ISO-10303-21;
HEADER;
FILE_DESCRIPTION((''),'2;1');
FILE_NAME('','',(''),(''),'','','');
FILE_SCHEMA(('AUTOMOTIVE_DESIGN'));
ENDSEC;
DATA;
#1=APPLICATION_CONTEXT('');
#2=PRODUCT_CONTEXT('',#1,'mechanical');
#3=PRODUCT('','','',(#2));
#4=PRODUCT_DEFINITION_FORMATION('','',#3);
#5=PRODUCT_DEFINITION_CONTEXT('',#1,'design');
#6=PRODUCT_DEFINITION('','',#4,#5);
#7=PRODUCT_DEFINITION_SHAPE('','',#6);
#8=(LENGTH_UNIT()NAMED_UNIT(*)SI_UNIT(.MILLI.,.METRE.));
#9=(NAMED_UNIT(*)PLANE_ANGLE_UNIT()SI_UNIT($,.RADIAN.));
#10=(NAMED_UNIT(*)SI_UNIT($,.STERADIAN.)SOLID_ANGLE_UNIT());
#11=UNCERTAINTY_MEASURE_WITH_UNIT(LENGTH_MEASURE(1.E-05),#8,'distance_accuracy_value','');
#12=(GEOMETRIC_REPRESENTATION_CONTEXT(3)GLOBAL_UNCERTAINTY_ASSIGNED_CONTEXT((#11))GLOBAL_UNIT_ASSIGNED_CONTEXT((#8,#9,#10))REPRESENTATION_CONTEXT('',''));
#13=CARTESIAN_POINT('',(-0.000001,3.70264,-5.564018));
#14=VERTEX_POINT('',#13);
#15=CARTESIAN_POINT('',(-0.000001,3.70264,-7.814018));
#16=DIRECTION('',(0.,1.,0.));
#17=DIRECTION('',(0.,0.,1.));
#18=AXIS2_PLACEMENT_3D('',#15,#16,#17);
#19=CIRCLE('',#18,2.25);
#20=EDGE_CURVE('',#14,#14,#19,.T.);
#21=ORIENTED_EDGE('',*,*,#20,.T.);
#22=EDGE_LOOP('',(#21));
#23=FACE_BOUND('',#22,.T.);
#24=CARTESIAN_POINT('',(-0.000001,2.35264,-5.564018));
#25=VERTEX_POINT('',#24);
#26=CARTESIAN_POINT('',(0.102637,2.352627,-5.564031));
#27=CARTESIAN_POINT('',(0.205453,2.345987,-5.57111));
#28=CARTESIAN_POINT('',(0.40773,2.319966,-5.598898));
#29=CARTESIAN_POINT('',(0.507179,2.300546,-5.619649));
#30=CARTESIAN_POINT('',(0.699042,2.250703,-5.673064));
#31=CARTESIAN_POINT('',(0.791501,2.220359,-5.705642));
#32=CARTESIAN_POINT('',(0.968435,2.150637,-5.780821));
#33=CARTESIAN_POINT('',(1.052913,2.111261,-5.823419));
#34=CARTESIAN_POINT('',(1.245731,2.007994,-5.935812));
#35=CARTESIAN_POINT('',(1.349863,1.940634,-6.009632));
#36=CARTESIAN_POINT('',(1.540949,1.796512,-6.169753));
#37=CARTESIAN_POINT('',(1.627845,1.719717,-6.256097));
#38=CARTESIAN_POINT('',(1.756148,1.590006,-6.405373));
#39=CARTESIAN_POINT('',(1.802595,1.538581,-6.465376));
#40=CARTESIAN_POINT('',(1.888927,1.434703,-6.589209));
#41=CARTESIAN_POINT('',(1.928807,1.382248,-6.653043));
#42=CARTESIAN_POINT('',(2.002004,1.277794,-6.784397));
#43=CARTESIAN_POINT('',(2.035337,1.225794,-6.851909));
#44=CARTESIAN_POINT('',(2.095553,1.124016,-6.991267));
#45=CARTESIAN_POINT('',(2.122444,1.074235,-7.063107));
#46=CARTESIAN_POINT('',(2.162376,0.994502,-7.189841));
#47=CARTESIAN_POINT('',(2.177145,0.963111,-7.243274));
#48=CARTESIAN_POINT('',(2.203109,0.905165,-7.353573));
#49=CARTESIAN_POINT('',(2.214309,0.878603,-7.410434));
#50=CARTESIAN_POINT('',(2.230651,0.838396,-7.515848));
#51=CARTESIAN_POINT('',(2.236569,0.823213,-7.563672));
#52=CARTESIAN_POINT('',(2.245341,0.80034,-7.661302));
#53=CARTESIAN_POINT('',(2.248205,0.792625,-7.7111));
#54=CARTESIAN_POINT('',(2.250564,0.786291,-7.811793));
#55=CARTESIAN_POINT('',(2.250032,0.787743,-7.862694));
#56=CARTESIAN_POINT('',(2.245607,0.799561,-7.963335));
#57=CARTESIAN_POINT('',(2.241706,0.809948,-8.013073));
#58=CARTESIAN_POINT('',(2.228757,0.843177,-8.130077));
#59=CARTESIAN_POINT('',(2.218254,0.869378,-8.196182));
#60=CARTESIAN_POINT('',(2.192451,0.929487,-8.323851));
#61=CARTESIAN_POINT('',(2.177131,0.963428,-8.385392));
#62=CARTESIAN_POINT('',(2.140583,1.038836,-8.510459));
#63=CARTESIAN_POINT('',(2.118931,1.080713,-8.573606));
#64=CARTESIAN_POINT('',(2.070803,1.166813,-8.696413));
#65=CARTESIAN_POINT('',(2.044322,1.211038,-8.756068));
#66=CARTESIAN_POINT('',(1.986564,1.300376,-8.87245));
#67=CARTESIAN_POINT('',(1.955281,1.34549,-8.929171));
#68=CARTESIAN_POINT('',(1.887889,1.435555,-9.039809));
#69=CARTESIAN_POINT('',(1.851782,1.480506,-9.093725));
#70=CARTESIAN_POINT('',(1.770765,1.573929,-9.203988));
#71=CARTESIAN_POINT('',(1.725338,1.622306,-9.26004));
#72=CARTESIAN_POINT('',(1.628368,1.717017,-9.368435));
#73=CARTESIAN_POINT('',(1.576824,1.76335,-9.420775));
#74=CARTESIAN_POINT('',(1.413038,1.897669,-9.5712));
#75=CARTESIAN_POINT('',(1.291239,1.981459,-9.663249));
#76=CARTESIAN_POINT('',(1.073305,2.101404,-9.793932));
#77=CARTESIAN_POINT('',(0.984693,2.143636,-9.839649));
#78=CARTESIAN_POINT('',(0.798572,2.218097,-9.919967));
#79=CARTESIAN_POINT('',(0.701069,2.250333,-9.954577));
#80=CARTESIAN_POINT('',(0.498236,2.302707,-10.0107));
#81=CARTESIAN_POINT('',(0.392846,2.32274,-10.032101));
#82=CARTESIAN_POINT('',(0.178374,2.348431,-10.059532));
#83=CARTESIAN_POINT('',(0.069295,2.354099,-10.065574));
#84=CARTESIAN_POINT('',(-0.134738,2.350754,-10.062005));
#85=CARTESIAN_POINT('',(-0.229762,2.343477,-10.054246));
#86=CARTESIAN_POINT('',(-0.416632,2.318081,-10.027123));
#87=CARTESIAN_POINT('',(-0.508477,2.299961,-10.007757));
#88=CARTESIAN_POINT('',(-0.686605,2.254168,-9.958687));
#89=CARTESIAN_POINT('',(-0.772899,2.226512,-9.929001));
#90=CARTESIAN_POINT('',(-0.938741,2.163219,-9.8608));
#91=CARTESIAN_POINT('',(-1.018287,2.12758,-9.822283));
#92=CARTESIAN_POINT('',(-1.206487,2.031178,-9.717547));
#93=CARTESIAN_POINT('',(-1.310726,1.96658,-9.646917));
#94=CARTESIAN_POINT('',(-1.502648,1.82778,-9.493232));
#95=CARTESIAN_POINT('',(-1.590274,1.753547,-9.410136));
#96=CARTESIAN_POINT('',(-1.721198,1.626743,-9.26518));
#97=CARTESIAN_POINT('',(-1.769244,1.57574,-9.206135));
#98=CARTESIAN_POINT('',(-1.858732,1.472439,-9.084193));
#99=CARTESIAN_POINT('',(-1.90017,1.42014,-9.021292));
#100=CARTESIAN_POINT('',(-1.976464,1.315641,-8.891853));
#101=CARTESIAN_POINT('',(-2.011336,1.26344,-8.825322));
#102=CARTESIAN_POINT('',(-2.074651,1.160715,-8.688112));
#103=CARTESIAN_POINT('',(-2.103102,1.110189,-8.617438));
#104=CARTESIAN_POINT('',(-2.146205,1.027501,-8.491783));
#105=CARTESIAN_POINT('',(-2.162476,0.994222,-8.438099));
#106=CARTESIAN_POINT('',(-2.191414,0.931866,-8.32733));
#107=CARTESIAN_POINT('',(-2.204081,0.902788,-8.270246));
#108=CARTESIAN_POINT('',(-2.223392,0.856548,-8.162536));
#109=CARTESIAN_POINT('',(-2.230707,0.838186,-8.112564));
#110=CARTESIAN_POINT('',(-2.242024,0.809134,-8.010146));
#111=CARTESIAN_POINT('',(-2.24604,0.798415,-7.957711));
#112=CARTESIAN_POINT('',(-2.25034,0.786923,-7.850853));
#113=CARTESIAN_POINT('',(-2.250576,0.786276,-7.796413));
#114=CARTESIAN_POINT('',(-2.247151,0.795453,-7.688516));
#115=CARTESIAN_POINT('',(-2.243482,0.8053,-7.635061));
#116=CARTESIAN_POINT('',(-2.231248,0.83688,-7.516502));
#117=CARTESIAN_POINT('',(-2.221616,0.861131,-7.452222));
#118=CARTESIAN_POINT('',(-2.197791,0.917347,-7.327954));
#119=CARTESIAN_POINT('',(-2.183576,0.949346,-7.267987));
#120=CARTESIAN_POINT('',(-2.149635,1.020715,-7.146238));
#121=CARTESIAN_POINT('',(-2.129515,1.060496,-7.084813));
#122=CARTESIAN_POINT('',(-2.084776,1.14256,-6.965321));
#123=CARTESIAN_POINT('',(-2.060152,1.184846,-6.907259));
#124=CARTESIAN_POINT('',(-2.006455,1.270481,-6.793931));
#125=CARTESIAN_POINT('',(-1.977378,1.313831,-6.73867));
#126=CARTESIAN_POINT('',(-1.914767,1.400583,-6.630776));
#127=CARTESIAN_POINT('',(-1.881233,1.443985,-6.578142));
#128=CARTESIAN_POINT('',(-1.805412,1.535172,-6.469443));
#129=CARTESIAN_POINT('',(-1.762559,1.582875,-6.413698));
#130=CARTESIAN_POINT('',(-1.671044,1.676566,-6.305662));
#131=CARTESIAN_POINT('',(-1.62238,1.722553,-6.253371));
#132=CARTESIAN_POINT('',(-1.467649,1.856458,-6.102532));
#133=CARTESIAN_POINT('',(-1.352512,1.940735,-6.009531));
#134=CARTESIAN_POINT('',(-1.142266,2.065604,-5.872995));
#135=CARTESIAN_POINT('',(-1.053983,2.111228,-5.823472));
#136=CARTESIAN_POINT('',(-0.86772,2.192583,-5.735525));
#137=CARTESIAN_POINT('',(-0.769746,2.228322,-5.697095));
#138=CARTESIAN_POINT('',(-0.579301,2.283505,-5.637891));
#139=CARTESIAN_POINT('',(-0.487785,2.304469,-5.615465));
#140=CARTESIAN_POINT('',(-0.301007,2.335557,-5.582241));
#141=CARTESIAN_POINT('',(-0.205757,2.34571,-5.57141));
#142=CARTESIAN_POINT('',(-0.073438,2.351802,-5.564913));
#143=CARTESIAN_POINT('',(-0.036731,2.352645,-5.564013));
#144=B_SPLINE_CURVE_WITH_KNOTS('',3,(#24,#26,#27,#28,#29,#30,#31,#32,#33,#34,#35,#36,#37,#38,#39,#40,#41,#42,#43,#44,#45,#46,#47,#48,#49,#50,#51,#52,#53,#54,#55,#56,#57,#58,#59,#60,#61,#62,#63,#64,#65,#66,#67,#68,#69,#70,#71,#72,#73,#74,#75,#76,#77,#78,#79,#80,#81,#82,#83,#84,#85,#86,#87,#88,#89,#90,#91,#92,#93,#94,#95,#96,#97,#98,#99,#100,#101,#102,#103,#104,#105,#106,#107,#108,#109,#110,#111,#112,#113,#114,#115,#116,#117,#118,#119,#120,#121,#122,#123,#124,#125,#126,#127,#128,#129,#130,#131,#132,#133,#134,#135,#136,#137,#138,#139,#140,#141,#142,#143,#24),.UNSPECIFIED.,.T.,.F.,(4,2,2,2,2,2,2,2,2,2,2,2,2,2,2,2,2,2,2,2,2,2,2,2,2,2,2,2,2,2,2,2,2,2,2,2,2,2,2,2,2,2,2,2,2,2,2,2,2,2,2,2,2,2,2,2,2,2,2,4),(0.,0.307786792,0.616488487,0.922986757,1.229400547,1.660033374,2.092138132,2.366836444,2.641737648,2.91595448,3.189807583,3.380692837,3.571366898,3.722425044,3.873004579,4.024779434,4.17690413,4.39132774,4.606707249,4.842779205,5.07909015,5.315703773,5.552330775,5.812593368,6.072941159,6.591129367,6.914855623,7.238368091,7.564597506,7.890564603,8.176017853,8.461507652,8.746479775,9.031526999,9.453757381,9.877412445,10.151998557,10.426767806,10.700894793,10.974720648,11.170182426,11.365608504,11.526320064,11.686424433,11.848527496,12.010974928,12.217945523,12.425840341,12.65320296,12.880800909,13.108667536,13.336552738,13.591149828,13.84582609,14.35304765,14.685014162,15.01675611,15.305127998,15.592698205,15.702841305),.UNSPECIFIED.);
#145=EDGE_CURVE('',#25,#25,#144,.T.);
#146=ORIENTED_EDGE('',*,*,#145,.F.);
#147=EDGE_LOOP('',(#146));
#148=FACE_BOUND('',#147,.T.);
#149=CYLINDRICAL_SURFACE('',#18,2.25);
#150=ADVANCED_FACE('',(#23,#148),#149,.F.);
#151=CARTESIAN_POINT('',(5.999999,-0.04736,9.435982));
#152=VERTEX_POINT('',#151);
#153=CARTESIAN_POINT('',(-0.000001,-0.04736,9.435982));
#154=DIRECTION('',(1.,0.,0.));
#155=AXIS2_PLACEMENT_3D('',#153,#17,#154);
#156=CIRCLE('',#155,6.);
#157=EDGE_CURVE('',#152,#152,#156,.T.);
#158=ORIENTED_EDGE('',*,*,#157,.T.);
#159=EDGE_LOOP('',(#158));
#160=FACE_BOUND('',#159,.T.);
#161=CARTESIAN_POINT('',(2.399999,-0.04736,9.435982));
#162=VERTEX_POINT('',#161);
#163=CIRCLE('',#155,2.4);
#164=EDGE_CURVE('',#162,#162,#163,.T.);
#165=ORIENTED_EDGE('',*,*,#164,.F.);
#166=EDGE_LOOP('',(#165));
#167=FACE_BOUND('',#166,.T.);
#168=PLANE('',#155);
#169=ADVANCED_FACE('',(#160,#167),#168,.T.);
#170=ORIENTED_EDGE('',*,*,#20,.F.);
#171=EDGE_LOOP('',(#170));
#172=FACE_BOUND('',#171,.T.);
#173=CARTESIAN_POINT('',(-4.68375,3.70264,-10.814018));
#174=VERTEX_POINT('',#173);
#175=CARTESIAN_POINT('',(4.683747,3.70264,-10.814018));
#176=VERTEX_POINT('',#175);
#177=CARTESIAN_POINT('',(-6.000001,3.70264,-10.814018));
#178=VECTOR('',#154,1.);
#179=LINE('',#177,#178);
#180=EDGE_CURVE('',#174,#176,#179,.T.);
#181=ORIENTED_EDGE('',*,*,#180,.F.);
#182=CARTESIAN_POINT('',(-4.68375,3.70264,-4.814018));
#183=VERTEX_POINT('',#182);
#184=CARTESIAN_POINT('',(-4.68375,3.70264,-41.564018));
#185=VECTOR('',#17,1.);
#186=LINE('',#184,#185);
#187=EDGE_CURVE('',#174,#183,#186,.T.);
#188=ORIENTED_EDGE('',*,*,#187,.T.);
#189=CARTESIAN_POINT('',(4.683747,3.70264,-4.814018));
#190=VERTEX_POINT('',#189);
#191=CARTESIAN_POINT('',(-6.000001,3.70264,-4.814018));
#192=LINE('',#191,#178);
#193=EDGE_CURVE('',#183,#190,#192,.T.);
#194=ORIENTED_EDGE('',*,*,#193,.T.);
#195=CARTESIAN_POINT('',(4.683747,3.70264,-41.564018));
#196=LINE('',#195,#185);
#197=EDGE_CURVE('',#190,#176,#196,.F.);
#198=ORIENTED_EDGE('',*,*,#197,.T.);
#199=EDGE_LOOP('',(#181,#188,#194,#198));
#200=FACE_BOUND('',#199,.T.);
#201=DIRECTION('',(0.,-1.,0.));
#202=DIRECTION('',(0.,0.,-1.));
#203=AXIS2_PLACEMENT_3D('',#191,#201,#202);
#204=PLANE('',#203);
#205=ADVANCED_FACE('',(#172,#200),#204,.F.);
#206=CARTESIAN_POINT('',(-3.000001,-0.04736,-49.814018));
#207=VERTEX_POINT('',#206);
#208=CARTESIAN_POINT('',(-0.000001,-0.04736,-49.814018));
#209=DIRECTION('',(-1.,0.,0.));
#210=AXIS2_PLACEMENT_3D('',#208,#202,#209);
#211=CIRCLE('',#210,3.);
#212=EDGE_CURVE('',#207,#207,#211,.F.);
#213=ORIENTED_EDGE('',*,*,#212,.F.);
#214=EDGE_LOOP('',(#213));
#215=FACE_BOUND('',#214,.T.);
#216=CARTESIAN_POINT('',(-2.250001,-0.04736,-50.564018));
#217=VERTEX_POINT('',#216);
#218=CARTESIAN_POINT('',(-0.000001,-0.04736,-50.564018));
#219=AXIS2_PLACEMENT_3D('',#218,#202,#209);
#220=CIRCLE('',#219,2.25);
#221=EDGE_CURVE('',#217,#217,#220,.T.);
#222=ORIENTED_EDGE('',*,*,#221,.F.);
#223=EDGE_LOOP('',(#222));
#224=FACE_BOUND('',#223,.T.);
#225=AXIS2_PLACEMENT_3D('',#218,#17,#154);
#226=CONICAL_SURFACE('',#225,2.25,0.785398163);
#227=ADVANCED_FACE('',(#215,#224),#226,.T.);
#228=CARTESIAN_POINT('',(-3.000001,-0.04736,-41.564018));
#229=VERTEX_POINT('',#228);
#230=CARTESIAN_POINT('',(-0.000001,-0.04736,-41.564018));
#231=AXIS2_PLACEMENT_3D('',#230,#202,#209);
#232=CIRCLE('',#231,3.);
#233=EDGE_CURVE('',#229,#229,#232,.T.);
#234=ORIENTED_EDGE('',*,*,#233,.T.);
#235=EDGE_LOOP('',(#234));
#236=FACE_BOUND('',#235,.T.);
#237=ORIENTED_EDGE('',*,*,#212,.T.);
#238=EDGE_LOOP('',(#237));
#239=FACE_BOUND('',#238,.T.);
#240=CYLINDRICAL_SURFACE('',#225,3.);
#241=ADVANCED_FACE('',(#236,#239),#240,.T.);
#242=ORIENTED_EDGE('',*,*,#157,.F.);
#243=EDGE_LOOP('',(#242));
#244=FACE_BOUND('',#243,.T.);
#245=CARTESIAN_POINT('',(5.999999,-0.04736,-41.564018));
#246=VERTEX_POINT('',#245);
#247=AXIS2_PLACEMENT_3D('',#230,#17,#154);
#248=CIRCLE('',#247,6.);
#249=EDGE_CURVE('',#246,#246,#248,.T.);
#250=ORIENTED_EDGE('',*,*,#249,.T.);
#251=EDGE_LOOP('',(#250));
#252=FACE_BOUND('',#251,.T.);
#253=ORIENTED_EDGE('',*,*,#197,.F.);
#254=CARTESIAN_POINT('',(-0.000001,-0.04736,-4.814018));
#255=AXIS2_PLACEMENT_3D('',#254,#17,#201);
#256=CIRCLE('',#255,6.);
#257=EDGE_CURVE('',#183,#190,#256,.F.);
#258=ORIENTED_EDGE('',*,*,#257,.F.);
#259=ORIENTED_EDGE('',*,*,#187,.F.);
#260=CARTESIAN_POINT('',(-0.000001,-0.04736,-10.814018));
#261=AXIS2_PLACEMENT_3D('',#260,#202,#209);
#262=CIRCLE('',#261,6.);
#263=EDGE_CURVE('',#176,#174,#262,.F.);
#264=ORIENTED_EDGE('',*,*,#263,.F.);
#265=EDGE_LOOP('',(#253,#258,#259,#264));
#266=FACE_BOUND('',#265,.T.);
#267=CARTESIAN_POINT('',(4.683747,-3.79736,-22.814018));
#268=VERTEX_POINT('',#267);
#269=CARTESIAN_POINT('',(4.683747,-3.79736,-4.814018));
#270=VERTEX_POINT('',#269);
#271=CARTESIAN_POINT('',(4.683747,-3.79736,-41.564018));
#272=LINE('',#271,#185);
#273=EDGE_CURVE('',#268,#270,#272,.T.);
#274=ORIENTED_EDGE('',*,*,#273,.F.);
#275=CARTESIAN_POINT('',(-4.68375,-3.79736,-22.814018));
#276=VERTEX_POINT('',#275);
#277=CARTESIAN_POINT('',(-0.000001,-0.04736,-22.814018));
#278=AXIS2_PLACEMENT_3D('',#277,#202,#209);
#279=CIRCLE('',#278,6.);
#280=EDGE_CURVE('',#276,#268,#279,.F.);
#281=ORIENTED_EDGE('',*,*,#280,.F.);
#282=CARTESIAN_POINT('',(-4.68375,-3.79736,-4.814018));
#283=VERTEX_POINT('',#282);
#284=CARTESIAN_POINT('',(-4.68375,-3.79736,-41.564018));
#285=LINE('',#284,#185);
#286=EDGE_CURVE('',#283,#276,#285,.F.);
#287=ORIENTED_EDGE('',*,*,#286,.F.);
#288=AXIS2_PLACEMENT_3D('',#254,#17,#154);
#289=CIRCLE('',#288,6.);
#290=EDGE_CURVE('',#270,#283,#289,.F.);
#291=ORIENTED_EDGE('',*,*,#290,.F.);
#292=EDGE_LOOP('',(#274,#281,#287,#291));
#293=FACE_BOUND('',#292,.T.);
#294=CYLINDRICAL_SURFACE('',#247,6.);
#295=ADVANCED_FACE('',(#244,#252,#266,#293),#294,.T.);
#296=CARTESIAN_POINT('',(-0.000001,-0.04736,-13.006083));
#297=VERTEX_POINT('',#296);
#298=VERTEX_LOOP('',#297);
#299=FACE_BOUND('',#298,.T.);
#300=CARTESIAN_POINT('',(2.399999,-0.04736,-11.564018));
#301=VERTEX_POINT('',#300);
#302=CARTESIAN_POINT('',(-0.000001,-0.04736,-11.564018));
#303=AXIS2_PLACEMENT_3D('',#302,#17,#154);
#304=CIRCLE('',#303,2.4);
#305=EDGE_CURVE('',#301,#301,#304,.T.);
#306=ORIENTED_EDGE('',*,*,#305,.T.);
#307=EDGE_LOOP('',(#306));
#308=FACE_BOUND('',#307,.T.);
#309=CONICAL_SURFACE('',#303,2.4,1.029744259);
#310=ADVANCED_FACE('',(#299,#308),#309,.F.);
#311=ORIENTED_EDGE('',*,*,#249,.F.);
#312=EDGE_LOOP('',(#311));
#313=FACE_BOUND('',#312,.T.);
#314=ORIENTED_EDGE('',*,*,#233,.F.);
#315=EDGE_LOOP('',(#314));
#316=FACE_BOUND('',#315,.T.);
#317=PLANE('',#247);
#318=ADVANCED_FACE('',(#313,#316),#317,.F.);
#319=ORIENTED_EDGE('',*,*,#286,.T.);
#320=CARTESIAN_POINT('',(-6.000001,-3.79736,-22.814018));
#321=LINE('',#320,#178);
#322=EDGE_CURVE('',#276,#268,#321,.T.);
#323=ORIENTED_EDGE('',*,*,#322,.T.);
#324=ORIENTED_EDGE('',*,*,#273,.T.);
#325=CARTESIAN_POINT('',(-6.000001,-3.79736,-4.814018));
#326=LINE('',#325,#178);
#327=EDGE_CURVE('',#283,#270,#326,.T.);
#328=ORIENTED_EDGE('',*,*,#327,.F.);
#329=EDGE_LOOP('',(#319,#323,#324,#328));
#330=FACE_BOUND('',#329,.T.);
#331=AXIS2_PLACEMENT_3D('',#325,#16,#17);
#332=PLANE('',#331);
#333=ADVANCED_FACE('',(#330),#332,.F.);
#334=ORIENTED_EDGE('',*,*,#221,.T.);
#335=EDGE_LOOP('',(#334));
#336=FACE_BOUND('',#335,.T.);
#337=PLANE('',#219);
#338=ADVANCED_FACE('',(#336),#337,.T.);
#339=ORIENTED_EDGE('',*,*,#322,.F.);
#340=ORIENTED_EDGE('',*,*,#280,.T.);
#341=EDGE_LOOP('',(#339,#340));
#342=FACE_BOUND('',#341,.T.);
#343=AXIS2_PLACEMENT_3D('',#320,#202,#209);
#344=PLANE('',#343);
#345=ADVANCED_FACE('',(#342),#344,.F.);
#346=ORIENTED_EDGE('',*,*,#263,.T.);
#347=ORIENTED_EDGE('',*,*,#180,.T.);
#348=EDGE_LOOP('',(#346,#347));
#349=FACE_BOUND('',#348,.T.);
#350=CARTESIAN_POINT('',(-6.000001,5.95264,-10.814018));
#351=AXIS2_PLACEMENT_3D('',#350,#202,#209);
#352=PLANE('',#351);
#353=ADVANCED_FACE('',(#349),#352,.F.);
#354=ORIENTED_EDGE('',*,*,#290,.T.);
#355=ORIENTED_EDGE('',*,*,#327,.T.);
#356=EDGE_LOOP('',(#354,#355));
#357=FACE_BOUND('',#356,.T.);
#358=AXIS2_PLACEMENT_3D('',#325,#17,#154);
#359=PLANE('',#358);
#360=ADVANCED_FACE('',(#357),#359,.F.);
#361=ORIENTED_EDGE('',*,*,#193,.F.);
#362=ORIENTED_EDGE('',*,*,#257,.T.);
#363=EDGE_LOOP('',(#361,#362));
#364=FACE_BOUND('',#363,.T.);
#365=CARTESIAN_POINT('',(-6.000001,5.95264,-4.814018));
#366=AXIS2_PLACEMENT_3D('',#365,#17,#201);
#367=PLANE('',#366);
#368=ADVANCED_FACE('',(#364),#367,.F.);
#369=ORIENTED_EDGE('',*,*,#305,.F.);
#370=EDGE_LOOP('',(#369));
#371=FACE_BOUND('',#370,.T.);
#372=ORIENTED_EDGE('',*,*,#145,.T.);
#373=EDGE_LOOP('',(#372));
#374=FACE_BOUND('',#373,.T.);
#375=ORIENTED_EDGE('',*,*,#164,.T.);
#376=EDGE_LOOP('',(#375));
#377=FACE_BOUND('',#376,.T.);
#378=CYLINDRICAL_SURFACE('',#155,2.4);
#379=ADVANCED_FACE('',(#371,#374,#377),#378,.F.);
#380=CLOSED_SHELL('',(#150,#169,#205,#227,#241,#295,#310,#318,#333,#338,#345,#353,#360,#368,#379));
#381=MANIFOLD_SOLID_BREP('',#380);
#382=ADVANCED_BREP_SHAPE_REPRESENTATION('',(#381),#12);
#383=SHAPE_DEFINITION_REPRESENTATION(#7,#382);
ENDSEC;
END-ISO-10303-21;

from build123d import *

# Parameters (mm, degrees)
SKETCH1_R                      = 4
BOSS_EXTRUDE2_DEPTH            = 34
SKETCH2_R                      = 2
BOSS_EXTRUDE3_DEPTH            = 6
CHAMFER1_SIZE                  = 0.5
F_3_2_3_2_DIAMETER_HOLE1_D     = 3.2
F_3_2_3_2_DIAMETER_HOLE1_DEPTH = 14
F_3_2_3_2_DIAMETER_HOLE1_TIP   = 0.96137699
CUT_EXTRUDE1_DEPTH             = 41.398019753
CUT_EXTRUDE1_DEPTH_BACK        = 41.398019753
SKETCH5_W                      = 12
SKETCH5_H                      = 1.5
SKETCH5_W_2                    = 4
F_3_0_3_DIAMETER_HOLE1_REACH   = 42.722
F_3_0_3_DIAMETER_HOLE1_BORE_R  = 1.5
SCALE1_SCALE                   = 1.5


with BuildPart() as part:
    # Sketch1 → Boss-Extrude2 (new body)
    with BuildSketch(Plane.XY):
        Circle(SKETCH1_R)
    extrude(amount=-BOSS_EXTRUDE2_DEPTH)

    # Sketch2 → Boss-Extrude3 (add)
    with BuildSketch(Plane(origin=(0, 0, -34), x_dir=(-1, 0, 0), z_dir=(0, 0, -1))):
        Circle(SKETCH2_R)
    extrude(amount=BOSS_EXTRUDE3_DEPTH)

    # Chamfer1
    chamfer1_edges = [part.edges().sort_by_distance(p)[0] for p in [
        (2, 0, -40),
    ]]
    chamfer(chamfer1_edges, length=CHAMFER1_SIZE)

    # Ø3.2 (3.2) Diameter Hole1
    with Locations(Plane.XY):
        with Locations((0, 0)):
            Hole(F_3_2_3_2_DIAMETER_HOLE1_D / 2, depth=F_3_2_3_2_DIAMETER_HOLE1_DEPTH)
            with Locations((0, 0, -(F_3_2_3_2_DIAMETER_HOLE1_DEPTH + F_3_2_3_2_DIAMETER_HOLE1_TIP / 2))):  # 118° drill point
                Cone(0, F_3_2_3_2_DIAMETER_HOLE1_D / 2, F_3_2_3_2_DIAMETER_HOLE1_TIP, mode=Mode.SUBTRACT)

    # Sketch5 → Cut-Extrude1 (cut, two sides: drawn at the far end of the back side and taken through both)
    with BuildSketch(Plane(origin=(0, 0, 0), x_dir=(0, 0, -1), z_dir=(1, 0, 0)).offset(-CUT_EXTRUDE1_DEPTH_BACK)):
        with Locations((15.5, -3.25)):
            Rectangle(SKETCH5_W, SKETCH5_H)
        with Locations((11.5, 3.25)):
            Rectangle(SKETCH5_W_2, SKETCH5_H)
    extrude(amount=CUT_EXTRUDE1_DEPTH + CUT_EXTRUDE1_DEPTH_BACK, mode=Mode.SUBTRACT)

    # Ø3.0 (3) Diameter Hole1 bore → Ø3.0 (3) Diameter Hole1 (cut, up to next)
    with BuildSketch(Plane(origin=(0, 2.5, 0), x_dir=(1, 0, 0), z_dir=(0, 1, 0)), mode=Mode.PRIVATE) as f_3_0_3_diameter_hole1_sk1:
        with Locations((0, 11.5)):
            Circle(F_3_0_3_DIAMETER_HOLE1_BORE_R)
    f_3_0_3_diameter_hole1_tool1 = extrude(f_3_0_3_diameter_hole1_sk1.sketch, amount=-F_3_0_3_DIAMETER_HOLE1_REACH, mode=Mode.PRIVATE) & part.part
    add(f_3_0_3_diameter_hole1_tool1.solids().sort_by_distance((0, 2.5, -11.5))[0], mode=Mode.SUBTRACT)


with BuildPart() as part_1:
    # Scale1: scaled about (4.68e-07, 0.094714404, -18.871986745)
    add(part.part.scale(SCALE1_SCALE).moved(Location((-2.34e-07, -0.047357202, 9.435993373))))


solid = part_1.part
